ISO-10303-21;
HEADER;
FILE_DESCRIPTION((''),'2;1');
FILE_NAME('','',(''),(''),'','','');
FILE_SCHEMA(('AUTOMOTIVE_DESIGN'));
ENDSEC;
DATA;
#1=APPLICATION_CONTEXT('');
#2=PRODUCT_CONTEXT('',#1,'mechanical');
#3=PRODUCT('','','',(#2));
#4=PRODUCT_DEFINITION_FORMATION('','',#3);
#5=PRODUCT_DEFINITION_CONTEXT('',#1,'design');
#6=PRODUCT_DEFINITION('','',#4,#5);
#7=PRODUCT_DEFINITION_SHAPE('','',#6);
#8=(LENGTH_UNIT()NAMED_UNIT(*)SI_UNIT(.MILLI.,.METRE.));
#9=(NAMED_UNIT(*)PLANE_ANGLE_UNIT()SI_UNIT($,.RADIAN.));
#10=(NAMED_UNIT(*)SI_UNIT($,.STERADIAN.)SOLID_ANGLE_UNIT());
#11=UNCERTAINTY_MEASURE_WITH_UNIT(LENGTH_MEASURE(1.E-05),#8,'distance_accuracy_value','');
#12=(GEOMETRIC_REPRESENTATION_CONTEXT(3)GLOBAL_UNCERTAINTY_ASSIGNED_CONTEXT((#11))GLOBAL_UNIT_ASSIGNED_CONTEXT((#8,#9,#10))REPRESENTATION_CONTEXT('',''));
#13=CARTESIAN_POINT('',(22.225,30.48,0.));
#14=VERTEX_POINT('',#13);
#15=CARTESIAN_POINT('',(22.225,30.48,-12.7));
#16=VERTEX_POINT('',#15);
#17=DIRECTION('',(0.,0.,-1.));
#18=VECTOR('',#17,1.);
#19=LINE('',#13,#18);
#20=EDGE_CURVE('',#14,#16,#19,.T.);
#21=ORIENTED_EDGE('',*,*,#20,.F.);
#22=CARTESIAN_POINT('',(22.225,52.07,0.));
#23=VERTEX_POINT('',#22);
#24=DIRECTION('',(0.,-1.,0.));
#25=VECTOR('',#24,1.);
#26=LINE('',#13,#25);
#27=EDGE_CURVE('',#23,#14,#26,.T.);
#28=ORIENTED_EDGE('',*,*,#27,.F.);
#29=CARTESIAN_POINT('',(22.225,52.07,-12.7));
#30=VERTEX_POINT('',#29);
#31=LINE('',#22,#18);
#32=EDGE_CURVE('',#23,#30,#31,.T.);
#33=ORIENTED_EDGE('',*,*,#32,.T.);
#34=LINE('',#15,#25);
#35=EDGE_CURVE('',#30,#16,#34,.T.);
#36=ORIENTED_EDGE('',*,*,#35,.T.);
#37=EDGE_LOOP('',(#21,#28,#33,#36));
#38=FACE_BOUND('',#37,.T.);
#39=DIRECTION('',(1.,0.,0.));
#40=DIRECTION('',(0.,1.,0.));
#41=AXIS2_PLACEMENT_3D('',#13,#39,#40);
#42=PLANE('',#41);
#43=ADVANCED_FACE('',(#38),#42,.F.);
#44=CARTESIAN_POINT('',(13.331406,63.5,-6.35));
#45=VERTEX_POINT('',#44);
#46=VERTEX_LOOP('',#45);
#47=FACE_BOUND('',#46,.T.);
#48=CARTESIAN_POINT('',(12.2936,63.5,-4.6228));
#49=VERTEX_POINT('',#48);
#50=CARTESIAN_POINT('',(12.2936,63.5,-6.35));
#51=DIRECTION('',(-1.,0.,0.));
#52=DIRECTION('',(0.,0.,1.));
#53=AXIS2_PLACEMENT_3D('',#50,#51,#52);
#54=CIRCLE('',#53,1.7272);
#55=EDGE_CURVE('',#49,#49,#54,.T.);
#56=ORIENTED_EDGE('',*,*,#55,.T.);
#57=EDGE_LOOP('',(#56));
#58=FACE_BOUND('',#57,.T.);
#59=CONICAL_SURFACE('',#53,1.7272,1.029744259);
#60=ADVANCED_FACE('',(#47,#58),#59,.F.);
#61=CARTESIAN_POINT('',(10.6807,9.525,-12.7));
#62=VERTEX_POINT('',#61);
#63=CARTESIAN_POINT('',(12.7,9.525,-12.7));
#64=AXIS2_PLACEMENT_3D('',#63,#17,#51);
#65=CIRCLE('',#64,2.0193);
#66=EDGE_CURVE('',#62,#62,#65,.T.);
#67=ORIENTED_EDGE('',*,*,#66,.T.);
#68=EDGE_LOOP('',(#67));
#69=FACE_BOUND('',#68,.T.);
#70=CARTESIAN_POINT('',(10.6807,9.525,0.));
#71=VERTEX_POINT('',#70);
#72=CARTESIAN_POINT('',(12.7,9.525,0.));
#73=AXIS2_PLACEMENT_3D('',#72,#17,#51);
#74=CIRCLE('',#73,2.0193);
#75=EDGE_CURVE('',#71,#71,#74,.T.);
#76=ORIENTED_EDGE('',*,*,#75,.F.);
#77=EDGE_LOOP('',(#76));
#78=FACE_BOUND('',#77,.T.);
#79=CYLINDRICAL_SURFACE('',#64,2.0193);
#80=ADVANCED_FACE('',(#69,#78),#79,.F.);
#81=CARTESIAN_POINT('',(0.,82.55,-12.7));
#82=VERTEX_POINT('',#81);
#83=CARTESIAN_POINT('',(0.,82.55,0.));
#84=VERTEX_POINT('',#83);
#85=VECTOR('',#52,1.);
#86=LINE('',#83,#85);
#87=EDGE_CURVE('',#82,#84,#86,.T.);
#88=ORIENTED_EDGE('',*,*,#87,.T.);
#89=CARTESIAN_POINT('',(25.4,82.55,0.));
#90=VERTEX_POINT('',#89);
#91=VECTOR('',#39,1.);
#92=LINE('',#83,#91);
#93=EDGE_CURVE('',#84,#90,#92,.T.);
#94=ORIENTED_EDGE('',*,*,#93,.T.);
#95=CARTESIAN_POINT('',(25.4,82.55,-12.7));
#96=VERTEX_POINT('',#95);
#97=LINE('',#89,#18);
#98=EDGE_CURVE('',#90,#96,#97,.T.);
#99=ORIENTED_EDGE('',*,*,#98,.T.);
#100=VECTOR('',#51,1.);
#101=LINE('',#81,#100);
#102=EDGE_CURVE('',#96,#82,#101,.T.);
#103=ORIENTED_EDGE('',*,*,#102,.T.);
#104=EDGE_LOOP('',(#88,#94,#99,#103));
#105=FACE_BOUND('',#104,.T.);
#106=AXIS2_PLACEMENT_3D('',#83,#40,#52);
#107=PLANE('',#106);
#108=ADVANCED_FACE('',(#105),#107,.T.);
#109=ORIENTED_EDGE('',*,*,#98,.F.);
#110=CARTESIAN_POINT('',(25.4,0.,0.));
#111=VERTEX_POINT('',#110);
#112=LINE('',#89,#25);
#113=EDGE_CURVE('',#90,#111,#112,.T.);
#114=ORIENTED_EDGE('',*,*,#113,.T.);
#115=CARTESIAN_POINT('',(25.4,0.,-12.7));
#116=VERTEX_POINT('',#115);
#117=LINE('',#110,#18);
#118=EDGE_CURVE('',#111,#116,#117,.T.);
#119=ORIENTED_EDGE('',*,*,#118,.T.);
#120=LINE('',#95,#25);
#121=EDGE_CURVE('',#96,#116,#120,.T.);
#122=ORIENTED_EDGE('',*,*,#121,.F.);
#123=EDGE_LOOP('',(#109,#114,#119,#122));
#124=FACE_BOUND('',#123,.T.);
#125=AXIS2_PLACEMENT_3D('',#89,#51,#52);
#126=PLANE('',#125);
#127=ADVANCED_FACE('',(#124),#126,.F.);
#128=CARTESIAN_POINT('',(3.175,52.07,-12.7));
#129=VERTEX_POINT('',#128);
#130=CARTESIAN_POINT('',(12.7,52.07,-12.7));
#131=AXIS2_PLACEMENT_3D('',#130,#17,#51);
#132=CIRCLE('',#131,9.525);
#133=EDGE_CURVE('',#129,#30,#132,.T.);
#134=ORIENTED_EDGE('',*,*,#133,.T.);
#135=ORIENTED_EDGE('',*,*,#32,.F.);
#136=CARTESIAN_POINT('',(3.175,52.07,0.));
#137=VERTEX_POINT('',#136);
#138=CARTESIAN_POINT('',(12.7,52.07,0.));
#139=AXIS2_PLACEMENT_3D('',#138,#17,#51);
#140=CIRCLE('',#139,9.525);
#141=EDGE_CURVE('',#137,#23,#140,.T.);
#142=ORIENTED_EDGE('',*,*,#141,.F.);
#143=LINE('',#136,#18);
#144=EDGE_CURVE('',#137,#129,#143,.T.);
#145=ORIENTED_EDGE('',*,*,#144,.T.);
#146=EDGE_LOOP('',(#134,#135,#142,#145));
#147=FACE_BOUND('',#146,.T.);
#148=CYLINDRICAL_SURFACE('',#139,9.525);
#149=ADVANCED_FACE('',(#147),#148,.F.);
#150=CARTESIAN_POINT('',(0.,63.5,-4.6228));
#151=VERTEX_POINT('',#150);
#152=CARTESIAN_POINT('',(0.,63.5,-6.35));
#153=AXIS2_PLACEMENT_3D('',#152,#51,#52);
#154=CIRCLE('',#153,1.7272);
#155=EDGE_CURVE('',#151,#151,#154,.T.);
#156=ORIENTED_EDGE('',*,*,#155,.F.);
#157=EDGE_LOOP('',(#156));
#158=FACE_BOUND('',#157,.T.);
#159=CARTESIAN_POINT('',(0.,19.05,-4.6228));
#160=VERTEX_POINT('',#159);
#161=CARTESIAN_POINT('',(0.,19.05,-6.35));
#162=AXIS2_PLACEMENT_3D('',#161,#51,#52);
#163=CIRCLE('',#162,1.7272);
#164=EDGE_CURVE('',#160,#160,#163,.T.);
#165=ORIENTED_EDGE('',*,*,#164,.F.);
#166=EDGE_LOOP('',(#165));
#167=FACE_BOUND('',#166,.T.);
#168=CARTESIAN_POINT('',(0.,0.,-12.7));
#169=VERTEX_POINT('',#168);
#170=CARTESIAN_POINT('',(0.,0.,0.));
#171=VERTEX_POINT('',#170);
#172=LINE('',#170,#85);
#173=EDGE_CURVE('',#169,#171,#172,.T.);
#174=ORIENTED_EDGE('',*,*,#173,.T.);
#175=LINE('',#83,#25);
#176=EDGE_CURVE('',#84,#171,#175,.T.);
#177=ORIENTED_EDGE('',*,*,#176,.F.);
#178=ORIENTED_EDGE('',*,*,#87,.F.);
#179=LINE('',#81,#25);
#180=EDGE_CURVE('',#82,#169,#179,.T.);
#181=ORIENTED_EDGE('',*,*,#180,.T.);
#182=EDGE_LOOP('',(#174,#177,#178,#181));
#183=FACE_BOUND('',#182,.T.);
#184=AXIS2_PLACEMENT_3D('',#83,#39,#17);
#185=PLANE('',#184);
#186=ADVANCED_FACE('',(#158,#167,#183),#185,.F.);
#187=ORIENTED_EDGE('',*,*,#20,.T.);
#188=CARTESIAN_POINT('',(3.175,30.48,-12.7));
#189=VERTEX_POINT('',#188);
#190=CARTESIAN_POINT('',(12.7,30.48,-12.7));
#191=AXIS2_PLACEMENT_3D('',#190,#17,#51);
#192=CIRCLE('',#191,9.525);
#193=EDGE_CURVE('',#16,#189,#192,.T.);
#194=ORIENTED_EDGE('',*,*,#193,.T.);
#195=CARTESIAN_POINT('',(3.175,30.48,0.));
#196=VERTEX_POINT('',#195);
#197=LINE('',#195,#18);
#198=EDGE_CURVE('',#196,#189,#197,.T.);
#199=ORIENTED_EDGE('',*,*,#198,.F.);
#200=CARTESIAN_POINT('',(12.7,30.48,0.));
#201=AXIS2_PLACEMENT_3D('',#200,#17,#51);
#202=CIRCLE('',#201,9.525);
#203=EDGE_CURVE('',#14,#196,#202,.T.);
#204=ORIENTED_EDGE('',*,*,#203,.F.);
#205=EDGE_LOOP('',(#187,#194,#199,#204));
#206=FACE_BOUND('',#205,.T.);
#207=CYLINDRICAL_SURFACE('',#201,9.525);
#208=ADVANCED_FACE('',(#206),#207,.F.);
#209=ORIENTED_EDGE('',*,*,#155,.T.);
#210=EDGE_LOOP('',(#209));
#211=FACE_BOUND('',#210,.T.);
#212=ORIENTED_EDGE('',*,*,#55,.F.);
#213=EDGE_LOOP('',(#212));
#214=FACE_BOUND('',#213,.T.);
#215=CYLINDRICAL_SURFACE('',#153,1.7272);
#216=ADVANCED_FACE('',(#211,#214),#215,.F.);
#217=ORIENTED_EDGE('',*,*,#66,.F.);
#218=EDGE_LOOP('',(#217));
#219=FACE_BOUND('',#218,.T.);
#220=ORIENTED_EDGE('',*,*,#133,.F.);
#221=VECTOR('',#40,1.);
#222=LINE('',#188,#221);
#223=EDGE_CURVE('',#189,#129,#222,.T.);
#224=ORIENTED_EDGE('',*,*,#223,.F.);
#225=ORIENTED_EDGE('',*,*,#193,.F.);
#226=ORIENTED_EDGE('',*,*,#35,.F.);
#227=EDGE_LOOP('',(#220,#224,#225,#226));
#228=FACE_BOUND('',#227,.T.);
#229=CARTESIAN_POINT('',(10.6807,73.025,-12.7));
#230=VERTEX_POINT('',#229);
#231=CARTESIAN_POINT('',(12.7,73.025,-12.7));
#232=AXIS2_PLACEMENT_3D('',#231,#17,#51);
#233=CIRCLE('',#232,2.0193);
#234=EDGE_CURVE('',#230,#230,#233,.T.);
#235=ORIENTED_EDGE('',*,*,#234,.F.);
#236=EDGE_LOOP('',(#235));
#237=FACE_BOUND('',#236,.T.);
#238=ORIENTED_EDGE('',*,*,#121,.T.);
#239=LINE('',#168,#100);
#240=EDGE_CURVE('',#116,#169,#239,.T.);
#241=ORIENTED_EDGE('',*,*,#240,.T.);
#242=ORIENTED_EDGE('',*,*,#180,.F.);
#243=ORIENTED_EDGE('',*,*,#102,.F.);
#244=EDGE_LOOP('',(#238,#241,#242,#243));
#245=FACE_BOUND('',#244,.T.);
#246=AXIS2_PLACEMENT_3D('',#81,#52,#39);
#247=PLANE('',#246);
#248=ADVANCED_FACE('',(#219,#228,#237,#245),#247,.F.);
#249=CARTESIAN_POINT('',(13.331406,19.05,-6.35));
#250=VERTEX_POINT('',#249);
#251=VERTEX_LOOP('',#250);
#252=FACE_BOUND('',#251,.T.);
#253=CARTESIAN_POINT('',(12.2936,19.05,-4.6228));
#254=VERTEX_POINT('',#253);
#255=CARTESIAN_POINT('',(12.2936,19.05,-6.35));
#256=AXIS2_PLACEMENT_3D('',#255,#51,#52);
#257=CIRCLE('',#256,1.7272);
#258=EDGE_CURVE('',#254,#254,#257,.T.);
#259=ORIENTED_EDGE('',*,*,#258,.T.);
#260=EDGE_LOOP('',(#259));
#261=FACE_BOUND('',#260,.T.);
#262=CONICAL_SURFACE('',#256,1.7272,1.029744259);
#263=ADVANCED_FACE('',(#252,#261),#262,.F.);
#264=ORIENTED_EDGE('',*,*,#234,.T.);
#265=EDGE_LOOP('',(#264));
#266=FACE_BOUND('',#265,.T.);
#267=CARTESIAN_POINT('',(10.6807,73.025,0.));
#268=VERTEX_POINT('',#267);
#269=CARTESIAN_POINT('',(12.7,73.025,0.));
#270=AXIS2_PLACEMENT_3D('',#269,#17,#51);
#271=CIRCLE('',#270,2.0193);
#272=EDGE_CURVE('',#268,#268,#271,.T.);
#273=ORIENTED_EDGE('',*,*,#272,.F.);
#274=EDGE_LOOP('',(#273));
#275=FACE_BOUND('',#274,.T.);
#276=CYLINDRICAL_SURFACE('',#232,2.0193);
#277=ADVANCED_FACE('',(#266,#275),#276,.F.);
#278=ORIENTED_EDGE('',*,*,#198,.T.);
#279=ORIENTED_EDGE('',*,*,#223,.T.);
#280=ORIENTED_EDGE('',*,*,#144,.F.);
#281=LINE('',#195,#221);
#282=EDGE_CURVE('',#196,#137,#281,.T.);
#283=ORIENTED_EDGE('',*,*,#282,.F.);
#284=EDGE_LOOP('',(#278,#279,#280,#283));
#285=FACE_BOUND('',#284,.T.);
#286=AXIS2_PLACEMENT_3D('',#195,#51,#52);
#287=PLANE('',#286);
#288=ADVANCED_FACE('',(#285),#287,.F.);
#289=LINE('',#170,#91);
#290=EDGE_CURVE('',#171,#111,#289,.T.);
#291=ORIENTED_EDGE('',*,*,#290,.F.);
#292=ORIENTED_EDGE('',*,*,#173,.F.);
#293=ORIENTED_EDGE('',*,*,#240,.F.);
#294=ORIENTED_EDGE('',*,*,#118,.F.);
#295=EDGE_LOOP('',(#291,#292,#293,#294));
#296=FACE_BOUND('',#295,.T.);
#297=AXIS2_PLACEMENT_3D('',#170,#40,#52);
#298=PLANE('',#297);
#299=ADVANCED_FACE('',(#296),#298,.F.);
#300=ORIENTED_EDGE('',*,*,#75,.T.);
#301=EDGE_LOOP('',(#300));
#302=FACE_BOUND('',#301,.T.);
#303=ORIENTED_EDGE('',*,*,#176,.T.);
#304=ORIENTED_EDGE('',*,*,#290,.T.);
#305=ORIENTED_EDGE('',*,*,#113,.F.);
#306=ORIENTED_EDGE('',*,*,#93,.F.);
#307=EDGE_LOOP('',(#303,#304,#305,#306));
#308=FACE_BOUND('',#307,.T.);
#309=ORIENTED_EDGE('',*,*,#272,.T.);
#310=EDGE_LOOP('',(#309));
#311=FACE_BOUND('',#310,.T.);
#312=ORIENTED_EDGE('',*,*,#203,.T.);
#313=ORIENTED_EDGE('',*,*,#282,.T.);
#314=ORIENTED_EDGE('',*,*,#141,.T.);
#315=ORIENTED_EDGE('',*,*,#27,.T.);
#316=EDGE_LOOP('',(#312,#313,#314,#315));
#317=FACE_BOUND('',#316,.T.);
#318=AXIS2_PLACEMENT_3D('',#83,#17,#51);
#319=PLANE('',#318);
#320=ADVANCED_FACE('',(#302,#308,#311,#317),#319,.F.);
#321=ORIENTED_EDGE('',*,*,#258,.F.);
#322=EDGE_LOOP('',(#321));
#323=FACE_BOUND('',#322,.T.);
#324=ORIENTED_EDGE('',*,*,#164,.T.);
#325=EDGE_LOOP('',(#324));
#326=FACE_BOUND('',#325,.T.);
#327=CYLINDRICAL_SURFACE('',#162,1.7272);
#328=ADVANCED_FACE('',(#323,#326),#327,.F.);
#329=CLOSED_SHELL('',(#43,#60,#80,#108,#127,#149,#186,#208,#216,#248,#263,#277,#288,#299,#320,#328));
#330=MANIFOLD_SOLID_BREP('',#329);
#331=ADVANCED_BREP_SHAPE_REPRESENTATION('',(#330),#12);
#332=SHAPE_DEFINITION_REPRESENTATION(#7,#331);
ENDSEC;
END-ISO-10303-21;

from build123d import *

# Parameters (mm, degrees)
SKETCH1_W                           = 25.4
SKETCH1_H                           = 12.7
BOSS_EXTRUDE1_DEPTH                 = 82.55
F_10_32_TAPPED_HOLE_TOP_HOLD_D      = 4.0386
F_8_32_TAPPED_HOLE_SIDE_PLATE_D     = 3.4544
F_8_32_TAPPED_HOLE_SIDE_PLATE_DEPTH = 12.2936
F_8_32_TAPPED_HOLE_SIDE_PLATE_TIP   = 1.037806461
CUT_EXTRUDE1_DEPTH                  = 88.298066989


with BuildPart() as part:
    # Sketch1 → Boss-Extrude1 (new body)
    with BuildSketch(Plane(origin=(0, 0, 0), x_dir=(1, 0, 0), z_dir=(0, 1, 0))):
        with Locations((12.7, 6.35)):
            Rectangle(SKETCH1_W, SKETCH1_H)
    extrude(amount=BOSS_EXTRUDE1_DEPTH)

    # #10-32 Tapped Hole - Top Hold (through all)
    with Locations(Plane(origin=(0, 0, -12.7), x_dir=(-1, 0, 0), z_dir=(0, 0, -1))):
        with Locations((-12.7, 9.525), (-12.7, 73.025)):
            Hole(F_10_32_TAPPED_HOLE_TOP_HOLD_D / 2)

    # #8-32 Tapped Hole - Side Plate
    with Locations(Plane.ZY):
        with Locations((-6.35, 19.05), (-6.35, 63.5)):
            Hole(F_8_32_TAPPED_HOLE_SIDE_PLATE_D / 2, depth=F_8_32_TAPPED_HOLE_SIDE_PLATE_DEPTH)
            with Locations((0, 0, -(F_8_32_TAPPED_HOLE_SIDE_PLATE_DEPTH + F_8_32_TAPPED_HOLE_SIDE_PLATE_TIP / 2))):  # 118° drill point
                Cone(0, F_8_32_TAPPED_HOLE_SIDE_PLATE_D / 2, F_8_32_TAPPED_HOLE_SIDE_PLATE_TIP, mode=Mode.SUBTRACT)

    # Sketch8 → Cut-Extrude1 (cut, through all)
    with BuildSketch(Plane(origin=(0, 0, -12.7), x_dir=(-1, 0, 0), z_dir=(0, 0, -1))):
        with BuildLine():
            Line((-22.225, 30.48), (-22.225, 52.07))
            ThreePointArc((-22.225, 52.07), (-12.7, 61.595), (-3.175, 52.07))
            Line((-3.175, 52.07), (-3.175, 30.48))
            ThreePointArc((-3.175, 30.48), (-12.7, 20.955), (-22.225, 30.48))
        make_face()
    extrude(amount=-CUT_EXTRUDE1_DEPTH, mode=Mode.SUBTRACT)


solid = part.part
